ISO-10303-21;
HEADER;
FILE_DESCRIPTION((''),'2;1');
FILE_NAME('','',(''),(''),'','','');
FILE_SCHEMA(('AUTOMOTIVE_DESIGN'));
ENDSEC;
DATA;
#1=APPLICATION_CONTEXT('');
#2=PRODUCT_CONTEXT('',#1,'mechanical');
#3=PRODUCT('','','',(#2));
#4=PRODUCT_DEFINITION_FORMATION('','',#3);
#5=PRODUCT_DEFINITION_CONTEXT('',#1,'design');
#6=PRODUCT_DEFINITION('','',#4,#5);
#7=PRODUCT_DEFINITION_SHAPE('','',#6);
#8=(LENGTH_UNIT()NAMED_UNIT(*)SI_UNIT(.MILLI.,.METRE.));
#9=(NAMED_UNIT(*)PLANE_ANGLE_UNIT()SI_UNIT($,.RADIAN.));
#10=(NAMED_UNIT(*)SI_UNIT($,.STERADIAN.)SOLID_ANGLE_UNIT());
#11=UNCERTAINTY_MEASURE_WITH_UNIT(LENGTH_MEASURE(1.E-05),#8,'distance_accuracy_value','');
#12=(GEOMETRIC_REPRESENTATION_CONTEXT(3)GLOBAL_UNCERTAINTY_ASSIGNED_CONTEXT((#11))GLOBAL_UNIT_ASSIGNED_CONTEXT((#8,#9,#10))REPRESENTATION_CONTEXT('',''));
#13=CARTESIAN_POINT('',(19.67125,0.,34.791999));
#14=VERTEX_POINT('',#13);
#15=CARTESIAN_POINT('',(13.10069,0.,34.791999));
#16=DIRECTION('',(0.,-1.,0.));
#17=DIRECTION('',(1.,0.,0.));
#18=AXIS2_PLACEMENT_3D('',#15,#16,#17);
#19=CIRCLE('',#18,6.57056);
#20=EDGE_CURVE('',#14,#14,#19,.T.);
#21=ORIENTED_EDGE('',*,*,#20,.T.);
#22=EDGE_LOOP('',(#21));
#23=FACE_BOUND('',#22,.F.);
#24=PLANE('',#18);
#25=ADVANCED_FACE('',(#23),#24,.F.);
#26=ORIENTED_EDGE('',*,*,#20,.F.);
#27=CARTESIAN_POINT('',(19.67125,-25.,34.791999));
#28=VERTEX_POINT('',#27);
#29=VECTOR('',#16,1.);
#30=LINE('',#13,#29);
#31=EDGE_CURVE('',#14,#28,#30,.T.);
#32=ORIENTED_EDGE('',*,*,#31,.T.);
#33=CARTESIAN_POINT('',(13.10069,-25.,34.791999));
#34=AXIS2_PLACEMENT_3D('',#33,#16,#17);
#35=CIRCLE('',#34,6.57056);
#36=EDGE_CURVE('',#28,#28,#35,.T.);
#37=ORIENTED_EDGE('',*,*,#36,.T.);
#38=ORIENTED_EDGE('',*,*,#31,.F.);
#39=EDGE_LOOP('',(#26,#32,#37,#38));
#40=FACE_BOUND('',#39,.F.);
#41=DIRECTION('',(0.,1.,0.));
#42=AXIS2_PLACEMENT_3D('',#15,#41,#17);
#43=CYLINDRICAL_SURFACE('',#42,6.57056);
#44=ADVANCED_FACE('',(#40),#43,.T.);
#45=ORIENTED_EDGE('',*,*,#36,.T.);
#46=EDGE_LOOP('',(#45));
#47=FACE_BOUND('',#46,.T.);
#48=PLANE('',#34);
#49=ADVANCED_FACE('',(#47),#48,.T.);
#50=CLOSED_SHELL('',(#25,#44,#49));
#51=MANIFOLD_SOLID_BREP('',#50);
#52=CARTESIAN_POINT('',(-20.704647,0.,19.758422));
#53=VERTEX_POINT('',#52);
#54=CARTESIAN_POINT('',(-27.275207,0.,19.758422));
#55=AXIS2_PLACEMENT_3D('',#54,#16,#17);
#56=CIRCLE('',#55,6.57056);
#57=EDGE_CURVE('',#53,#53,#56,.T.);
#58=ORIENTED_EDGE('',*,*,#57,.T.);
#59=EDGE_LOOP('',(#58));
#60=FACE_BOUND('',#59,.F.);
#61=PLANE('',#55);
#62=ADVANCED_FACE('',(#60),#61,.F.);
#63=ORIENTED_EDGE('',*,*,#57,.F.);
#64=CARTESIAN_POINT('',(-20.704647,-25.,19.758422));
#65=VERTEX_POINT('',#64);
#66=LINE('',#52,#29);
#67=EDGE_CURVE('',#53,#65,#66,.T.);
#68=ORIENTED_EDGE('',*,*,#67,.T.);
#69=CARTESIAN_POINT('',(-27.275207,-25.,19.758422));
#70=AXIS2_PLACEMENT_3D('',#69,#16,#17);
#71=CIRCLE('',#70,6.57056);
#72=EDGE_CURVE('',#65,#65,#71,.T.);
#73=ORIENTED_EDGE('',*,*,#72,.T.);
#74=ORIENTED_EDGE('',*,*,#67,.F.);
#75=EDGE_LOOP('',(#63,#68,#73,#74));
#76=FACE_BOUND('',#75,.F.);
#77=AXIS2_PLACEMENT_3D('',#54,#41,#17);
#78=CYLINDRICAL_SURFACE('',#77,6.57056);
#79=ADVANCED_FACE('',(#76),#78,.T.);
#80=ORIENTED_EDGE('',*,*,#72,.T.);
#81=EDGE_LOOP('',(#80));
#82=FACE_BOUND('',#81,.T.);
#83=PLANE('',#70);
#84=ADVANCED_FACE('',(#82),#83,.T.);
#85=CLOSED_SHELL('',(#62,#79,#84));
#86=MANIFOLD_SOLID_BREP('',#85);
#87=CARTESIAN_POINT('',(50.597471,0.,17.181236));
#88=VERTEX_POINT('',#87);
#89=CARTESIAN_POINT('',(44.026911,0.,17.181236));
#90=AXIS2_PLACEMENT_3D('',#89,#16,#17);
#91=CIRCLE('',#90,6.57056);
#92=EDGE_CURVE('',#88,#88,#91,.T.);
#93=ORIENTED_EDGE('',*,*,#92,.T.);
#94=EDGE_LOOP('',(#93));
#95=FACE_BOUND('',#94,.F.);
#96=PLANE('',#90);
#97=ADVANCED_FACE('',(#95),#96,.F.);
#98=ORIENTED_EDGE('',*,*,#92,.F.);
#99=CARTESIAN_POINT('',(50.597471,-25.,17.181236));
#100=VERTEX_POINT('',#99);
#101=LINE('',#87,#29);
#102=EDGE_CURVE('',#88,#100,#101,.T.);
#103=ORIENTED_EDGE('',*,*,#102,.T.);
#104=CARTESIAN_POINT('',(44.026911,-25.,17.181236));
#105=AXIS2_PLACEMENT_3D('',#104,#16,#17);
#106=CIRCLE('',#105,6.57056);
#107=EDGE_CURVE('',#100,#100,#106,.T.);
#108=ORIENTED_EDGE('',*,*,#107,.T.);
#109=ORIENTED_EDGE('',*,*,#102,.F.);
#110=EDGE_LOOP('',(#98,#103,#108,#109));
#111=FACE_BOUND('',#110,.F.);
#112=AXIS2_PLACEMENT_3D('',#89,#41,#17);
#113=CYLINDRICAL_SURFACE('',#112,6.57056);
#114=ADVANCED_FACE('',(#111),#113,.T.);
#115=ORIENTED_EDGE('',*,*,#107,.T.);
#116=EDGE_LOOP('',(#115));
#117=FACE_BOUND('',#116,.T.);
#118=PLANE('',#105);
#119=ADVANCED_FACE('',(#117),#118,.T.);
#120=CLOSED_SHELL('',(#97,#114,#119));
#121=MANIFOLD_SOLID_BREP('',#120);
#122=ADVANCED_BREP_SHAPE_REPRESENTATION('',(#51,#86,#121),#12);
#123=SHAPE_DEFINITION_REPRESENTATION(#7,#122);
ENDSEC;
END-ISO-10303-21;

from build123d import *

# Parameters (mm, degrees)
F0_R     = 6.57056
F1_DEPTH = 25


with BuildPart() as f1:
    # F0 (on Front) → F1 (new body)
    with BuildSketch(Plane.XZ):
        with Locations((-27.275207, 19.758422)):
            Circle(F0_R)
        with Locations((13.10069, 34.791999)):
            Circle(F0_R)
        with Locations((44.026911, 17.181236)):
            Circle(F0_R)
    extrude(amount=F1_DEPTH)


solid = f1.part
